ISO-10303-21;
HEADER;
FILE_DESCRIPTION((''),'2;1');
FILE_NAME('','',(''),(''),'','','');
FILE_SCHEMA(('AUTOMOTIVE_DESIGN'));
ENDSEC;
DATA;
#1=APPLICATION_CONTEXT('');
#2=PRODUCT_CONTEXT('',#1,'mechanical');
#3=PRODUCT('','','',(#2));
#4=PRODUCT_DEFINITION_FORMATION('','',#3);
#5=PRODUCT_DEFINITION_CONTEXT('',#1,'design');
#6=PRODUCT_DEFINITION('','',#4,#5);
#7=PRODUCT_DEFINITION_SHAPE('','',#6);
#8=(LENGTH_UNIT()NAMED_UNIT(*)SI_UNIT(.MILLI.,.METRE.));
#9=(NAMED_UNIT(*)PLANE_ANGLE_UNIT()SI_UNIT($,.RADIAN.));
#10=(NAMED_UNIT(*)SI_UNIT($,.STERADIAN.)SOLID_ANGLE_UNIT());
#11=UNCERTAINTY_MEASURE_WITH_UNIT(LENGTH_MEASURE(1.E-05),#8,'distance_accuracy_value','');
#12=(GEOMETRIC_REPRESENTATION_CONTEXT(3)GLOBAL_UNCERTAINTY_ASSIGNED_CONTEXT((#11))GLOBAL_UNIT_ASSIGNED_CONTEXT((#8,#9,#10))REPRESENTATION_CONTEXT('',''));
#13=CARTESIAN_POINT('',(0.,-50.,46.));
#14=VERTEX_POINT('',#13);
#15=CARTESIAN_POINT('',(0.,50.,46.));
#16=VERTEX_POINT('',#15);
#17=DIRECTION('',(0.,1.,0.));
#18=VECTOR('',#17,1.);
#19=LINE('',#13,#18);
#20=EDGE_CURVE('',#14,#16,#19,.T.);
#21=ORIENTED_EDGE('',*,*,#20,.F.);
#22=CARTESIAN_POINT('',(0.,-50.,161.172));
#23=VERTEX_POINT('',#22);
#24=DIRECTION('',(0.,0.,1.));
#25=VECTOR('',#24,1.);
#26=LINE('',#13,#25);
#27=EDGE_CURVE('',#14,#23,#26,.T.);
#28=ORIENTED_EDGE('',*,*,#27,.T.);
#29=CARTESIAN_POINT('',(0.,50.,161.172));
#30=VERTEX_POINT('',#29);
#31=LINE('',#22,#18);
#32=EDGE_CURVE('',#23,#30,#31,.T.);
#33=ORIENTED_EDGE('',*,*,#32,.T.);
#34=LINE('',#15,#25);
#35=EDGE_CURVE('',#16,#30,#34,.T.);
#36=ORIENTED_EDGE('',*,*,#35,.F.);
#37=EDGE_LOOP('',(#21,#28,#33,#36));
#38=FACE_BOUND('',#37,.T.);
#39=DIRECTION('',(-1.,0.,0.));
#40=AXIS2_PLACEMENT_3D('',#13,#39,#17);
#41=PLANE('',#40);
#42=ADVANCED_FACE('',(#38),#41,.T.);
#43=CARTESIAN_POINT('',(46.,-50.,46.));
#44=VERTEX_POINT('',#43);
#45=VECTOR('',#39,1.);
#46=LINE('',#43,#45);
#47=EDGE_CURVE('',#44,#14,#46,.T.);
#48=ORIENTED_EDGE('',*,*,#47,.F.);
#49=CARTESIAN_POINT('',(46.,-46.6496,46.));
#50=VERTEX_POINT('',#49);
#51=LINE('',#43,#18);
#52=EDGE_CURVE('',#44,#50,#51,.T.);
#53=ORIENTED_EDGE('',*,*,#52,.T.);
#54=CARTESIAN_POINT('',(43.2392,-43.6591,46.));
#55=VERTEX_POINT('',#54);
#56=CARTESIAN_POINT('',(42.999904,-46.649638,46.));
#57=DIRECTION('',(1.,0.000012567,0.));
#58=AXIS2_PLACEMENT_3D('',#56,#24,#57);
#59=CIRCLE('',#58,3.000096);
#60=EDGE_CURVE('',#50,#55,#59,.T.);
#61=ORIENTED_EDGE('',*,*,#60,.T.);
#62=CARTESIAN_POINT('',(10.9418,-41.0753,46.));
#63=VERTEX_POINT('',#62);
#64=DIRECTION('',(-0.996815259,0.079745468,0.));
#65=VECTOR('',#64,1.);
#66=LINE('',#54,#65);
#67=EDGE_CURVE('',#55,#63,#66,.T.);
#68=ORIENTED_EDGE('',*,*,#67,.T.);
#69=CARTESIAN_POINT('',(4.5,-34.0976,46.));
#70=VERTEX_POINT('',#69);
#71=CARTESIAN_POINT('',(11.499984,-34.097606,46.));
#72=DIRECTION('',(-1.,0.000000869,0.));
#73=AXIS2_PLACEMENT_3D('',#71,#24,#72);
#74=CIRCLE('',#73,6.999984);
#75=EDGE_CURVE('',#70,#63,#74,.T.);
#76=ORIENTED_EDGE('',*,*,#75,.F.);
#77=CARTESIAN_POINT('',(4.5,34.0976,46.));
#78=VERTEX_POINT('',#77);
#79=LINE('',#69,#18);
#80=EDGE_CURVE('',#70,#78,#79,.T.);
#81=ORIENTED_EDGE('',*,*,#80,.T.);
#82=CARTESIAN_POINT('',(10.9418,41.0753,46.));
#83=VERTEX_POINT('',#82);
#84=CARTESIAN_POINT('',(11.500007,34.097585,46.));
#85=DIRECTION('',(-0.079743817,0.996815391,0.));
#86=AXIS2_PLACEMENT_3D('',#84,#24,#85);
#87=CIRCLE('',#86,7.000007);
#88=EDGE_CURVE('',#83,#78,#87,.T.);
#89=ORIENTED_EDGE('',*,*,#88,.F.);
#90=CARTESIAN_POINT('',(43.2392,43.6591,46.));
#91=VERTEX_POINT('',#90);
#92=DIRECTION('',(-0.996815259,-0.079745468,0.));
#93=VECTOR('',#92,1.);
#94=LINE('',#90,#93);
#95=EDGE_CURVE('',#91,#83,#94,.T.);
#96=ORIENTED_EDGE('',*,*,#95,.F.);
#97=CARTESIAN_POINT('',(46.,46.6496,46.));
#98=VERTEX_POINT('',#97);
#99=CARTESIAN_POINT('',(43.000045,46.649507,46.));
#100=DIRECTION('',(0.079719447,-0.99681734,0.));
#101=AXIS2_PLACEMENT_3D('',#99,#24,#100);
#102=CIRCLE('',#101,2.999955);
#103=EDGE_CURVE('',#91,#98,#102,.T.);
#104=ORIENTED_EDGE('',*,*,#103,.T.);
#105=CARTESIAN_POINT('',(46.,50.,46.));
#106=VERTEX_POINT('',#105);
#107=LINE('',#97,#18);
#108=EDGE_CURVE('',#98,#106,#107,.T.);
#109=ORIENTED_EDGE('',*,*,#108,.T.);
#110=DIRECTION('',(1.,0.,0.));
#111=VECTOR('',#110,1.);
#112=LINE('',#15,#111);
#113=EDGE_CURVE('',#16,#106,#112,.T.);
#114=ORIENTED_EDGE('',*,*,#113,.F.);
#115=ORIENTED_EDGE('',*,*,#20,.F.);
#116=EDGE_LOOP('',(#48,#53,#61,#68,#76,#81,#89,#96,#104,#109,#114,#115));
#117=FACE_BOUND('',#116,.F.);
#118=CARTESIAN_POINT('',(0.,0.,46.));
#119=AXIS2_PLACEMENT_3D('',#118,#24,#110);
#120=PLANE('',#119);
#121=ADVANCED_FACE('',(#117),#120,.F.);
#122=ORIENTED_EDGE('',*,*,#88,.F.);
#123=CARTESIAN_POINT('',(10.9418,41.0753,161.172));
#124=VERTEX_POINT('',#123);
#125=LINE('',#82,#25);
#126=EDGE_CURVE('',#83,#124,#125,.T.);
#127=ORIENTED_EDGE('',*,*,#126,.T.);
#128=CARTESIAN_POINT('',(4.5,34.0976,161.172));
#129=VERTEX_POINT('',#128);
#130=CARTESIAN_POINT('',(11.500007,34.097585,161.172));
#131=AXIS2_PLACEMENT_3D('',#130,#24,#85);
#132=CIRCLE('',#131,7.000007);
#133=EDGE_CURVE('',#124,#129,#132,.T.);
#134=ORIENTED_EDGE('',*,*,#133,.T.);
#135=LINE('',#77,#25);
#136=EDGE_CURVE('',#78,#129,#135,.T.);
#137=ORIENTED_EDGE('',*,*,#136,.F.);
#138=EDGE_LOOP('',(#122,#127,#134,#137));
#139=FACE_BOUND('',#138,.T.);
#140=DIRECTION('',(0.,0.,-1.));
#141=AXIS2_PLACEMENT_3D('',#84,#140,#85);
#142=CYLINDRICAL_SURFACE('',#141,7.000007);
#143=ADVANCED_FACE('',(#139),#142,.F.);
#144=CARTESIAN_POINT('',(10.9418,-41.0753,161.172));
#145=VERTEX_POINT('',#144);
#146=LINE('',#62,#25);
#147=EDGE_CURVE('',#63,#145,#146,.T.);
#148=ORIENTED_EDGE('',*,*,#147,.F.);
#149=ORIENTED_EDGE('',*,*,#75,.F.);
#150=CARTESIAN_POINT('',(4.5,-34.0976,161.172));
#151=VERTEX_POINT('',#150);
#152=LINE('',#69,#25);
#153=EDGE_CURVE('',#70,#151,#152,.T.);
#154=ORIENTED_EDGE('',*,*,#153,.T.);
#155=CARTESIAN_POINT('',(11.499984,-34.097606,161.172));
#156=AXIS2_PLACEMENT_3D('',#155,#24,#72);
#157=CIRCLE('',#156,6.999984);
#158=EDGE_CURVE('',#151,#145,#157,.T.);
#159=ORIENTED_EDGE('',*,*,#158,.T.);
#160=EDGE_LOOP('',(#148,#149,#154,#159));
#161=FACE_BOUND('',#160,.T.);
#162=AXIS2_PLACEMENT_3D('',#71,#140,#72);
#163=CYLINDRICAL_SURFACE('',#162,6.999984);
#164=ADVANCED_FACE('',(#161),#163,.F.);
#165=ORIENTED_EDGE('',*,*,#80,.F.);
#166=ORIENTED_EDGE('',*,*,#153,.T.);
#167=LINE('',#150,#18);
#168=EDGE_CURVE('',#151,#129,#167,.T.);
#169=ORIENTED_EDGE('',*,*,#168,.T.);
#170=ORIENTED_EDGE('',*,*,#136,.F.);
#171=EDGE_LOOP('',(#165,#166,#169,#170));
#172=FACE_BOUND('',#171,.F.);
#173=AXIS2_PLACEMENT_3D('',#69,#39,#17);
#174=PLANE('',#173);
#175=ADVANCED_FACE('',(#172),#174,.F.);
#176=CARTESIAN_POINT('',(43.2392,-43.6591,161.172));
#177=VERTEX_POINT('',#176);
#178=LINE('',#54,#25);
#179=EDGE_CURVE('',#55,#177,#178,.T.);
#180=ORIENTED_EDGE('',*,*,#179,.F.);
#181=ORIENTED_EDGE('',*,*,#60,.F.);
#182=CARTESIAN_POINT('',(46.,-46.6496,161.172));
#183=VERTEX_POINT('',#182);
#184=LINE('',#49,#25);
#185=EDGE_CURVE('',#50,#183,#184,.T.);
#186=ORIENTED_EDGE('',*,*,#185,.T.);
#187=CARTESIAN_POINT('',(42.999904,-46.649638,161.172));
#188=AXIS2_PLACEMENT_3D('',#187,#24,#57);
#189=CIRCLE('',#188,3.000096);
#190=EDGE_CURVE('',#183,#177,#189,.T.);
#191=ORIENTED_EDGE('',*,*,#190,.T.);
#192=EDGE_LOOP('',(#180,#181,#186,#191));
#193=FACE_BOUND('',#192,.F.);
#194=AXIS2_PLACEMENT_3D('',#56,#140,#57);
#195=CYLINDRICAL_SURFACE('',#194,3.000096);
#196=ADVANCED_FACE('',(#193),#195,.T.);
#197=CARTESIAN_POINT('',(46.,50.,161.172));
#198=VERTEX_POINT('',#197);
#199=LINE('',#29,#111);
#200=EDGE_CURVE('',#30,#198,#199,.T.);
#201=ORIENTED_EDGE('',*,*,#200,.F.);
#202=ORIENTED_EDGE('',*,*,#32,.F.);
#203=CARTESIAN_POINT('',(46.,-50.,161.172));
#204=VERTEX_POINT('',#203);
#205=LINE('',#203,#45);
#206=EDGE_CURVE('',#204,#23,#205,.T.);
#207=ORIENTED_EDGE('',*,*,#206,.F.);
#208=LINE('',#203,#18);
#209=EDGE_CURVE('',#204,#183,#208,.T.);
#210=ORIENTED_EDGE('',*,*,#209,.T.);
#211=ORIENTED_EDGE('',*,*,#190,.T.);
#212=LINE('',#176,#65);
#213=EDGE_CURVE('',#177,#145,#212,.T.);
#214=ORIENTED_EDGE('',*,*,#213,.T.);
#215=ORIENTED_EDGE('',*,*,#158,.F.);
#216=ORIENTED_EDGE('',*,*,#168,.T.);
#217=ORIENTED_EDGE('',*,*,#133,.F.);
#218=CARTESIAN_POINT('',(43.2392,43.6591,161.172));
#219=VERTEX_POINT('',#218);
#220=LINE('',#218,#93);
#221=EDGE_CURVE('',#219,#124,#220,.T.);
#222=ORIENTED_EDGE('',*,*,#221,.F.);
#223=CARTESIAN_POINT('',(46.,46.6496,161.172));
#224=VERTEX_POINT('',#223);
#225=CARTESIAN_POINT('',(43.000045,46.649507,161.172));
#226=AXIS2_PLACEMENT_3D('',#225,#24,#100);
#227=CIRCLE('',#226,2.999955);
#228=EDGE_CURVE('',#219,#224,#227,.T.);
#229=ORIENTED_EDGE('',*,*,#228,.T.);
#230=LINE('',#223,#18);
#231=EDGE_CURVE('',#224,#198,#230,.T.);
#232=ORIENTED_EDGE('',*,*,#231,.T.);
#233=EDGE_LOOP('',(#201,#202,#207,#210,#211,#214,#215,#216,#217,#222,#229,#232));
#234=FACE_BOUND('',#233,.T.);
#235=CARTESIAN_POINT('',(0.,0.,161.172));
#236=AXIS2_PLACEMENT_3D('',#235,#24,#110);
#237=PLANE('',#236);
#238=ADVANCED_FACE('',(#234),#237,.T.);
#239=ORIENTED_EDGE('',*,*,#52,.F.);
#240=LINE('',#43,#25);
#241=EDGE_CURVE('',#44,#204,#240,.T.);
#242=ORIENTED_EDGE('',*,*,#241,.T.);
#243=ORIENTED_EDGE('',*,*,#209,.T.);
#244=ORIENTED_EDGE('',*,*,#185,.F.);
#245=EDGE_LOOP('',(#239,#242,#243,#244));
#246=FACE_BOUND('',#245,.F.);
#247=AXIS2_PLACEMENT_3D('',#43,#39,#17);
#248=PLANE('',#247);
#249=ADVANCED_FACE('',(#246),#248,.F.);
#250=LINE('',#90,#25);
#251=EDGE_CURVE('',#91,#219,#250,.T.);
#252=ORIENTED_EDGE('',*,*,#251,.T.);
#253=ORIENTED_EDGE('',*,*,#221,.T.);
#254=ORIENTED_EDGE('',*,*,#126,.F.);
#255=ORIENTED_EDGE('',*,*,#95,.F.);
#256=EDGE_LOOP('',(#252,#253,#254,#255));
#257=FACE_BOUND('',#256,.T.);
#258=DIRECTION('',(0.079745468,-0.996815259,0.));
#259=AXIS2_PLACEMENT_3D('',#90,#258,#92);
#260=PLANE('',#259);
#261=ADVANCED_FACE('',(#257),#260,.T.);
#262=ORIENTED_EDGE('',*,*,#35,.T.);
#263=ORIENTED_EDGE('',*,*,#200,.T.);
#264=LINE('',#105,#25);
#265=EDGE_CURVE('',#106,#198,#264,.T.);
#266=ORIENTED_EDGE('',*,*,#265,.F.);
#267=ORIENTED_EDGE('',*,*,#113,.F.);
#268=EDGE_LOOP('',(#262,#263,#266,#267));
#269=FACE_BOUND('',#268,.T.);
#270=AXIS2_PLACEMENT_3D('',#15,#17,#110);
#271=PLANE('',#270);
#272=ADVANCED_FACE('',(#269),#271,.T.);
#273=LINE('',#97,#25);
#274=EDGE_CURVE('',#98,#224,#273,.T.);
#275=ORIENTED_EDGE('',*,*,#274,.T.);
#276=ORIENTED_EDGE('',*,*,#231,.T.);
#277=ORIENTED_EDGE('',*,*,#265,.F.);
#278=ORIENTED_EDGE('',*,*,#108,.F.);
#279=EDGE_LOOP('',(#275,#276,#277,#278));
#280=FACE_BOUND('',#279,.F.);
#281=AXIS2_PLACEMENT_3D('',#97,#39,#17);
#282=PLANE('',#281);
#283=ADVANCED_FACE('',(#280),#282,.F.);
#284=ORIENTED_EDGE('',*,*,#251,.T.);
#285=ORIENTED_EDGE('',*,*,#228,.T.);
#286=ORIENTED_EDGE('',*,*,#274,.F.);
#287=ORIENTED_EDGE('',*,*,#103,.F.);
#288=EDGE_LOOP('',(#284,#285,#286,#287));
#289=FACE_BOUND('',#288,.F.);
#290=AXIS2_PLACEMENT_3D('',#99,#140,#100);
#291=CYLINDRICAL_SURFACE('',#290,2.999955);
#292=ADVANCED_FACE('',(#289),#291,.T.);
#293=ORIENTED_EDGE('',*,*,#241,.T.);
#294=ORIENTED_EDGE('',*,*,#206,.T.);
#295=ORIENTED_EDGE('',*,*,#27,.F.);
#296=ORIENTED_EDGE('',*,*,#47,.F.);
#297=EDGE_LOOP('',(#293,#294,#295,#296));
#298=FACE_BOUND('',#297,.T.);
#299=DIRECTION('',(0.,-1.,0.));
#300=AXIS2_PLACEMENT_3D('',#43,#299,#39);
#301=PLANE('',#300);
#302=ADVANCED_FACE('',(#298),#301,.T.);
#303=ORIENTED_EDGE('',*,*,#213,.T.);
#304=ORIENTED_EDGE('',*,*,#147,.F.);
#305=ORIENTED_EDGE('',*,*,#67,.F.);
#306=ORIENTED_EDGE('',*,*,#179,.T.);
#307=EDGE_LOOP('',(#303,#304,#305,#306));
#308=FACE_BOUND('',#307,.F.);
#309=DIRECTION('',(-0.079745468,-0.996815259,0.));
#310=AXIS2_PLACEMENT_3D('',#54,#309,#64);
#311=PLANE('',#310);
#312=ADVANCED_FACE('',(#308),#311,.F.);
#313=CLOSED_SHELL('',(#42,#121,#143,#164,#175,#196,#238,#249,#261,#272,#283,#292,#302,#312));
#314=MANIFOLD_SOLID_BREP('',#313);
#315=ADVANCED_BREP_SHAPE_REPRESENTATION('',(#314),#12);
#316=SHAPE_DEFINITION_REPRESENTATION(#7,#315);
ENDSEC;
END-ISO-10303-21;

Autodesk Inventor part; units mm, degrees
ref_plane "Начальная плоскость" through (0, 0, 46) normal (0, 0, 1) x (1, 0, 0)
ref_plane "Конечная плоскость" through (0, 0, 161.172) normal (0, 0, 1) x (1, 0, 0)
sketch "Эскиз" plane through (0, 0, 0) normal (0, 0, 1) x (1, 0, 0)
  line L0 (46, -50) -> (0, -50)
  line L1 (46, -50) -> (46, -46.6496)
  line L2 (43.2392, -43.6591) -> (10.9418, -41.0753)
  line L3 (4.5, -34.0976) -> (4.5, 34.0976)
  line L4 (43.2392, 43.6591) -> (10.9418, 41.0753)
  line L5 (46, 46.6496) -> (46, 50)
  line L6 (0, 50) -> (46, 50)
  line L7 (0, -50) -> (0, 50)
  arc A0 (4.5, -34.0976) -> (10.9418, -41.0753) centre (11.5, -34.0976) ccw
  arc A1 (10.9418, 41.0753) -> (4.5, 34.0976) centre (11.5, 34.0976) ccw
  arc A2 (46, -46.6496) -> (43.2392, -43.6591) centre (43, -46.6496) ccw
  arc A3 (43.2392, 43.6591) -> (46, 46.6496) centre (43, 46.6496) ccw
  line L8 (0, 70) -> (0, -70) construction
  line L9 (-9.3169, 0) -> (55.9016, 0) construction
  point P0 (46, -43.88)
  point P1 (4.5, -40.56)
  point P2 (4.5, 40.56)
  point P3 (46, 43.88)
  dimension "d3" = 46
  dimension "d5" = 4.5
  dimension "d7" = 100
  dimension "d9" = 9.44
  dimension "d11" = 9.44
  dimension "d13" = 6.12
  dimension "d15" = 6.12
  dimension "d22" = 7
  dimension "d23" = 3
  dimension "d24" = 50
  dimension "d25" = 0
extrude "Тело" add sketch "Эскиз" along normal up to surface (115.172 mm away) from surface at 46
sketch "Sketch3" plane through (0, 0, 0) normal (0, 0, 1) x (1, 0, 0)
  line L0 (0, 0) -> (10, 0)
ref_plane "Work Plane7" through (0, 0, 0) normal (0, -1, 0) x (1, 0, 0)
sketch "Sketch4" plane through (0, 0, 0) normal (0, -1, 0) x (1, 0, 0)
  line L0 (-2, 46) -> (12, 46)
  line L1 (-2, 161.172) -> (12, 161.172)
  dimension "d29" = 115.172
ref_plane "РабПлоскость8" through (46, 50, 46) normal (0, 0, -1) x (-1, 0, 0)
split "Разделение1" plane through (46, 50, 46) removes the side toward (0, 0, -1)
ref_plane "РабПлоскость9" through (-1308.544, 50, 161.172) normal (0, 0, 1) x (1, 0, 0)
split "Разделение2" plane through (-1308.544, 50, 161.172) removes the side toward (0, 0, 1)
equation "\"d3\" = b"
equation "\"d5\" = t1"
equation "\"d7\" = ParH"
equation "\"d9\" = msp_x1 + t2"
equation "\"d11\" = msp_x1 + t2"
equation "\"d13\" = -msp_x2 + t2"
equation "\"d15\" = -msp_x2 + t2"
equation "\"d22\" = R"
equation "\"d23\" = R1"
equation "\"d24\" = 0.5 * d7"
equation "\"d16\" = G_L"
equation "\"R1\" = 3"
equation "\"R\" = 7"
equation "\"t1\" = 4.5"
equation "\"t2\" = 7.6"
equation "\"ParH\" = 100"
equation "\"b\" = 46"
equation "\"msp_x1\" = 0.04 * b"
equation "\"msp_x2\" = -0.08 * t1 + 0.04 * b"
equation "\"G_L\" = d29"
equation "\"ex\" = 0"
equation "\"G_OFFSET_START\" = -46"
equation "\"G_OFFSET_END\" = -46"
equation "\"d26\" = -G_OFFSET_START"
equation "\"d27\" = G_OFFSET_END + B_L"
equation "\"B_L\" = 207.172"
properties part number "Швеллер 10U-115,17 ГОСТ 8240-97" material "Сталь, мягкая"
